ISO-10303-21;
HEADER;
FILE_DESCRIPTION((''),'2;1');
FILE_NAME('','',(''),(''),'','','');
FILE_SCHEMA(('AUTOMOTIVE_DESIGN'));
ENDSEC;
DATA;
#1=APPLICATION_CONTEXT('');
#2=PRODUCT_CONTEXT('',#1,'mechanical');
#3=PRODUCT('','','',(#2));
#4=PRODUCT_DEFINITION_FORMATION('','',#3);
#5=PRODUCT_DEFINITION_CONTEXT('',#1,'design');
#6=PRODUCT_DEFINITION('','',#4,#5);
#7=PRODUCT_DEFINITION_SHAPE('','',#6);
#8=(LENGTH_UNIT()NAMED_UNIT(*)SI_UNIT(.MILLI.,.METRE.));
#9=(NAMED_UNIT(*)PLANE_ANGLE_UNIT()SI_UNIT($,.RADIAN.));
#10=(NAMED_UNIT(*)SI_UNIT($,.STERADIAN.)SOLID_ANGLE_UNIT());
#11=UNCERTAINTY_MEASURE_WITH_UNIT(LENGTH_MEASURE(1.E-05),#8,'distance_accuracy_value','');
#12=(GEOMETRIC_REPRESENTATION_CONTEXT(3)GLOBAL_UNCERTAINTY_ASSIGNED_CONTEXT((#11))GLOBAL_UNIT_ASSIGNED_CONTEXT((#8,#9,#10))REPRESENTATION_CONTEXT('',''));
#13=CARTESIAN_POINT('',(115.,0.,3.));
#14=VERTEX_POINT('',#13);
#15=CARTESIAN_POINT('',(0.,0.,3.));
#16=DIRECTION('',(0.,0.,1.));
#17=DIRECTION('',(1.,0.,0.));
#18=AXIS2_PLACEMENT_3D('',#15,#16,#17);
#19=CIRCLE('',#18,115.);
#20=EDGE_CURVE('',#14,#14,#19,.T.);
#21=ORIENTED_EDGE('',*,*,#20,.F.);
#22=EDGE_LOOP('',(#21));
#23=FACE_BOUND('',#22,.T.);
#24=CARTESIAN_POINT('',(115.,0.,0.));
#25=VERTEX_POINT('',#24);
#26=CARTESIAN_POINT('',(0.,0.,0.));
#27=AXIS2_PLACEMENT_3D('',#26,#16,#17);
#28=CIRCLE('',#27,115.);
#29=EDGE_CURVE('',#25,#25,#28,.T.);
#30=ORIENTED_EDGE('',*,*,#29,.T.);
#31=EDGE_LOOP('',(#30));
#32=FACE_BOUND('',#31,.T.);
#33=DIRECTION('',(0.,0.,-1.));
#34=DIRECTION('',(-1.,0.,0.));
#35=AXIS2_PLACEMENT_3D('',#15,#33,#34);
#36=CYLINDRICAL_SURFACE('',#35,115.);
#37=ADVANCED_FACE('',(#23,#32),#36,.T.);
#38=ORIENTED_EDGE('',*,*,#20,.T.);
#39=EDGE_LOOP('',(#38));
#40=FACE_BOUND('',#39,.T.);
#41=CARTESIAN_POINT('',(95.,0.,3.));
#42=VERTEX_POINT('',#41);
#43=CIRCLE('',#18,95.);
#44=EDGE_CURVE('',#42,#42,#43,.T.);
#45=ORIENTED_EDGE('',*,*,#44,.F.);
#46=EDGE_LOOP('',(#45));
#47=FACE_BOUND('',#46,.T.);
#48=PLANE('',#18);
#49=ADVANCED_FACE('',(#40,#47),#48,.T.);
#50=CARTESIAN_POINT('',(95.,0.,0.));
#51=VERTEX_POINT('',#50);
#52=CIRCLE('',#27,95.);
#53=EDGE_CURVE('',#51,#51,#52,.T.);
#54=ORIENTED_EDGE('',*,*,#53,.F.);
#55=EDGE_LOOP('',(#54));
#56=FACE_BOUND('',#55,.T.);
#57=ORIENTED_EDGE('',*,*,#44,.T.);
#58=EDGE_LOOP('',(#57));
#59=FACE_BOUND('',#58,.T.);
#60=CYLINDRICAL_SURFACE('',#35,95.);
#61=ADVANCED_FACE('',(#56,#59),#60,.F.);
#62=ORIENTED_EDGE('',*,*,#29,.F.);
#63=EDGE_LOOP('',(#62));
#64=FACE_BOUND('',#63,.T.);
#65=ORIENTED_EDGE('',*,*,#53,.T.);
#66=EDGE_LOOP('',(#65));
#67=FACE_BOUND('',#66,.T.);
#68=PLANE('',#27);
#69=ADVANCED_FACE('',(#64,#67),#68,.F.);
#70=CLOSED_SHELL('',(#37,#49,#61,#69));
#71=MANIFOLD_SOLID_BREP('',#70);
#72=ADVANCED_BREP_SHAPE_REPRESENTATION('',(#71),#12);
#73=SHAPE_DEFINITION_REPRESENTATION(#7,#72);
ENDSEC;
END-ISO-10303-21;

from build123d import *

# Parameters (mm, degrees)
CROQUIS1_R              = 115
CROQUIS1_R_2            = 95
SALIENTE_EXTRUIR1_DEPTH = 3


with BuildPart() as part:
    # Croquis1 → Saliente-Extruir1 (new body)
    with BuildSketch(Plane.XY):
        Circle(CROQUIS1_R)
        Circle(CROQUIS1_R_2, mode=Mode.SUBTRACT)
    extrude(amount=SALIENTE_EXTRUIR1_DEPTH)


solid = part.part
